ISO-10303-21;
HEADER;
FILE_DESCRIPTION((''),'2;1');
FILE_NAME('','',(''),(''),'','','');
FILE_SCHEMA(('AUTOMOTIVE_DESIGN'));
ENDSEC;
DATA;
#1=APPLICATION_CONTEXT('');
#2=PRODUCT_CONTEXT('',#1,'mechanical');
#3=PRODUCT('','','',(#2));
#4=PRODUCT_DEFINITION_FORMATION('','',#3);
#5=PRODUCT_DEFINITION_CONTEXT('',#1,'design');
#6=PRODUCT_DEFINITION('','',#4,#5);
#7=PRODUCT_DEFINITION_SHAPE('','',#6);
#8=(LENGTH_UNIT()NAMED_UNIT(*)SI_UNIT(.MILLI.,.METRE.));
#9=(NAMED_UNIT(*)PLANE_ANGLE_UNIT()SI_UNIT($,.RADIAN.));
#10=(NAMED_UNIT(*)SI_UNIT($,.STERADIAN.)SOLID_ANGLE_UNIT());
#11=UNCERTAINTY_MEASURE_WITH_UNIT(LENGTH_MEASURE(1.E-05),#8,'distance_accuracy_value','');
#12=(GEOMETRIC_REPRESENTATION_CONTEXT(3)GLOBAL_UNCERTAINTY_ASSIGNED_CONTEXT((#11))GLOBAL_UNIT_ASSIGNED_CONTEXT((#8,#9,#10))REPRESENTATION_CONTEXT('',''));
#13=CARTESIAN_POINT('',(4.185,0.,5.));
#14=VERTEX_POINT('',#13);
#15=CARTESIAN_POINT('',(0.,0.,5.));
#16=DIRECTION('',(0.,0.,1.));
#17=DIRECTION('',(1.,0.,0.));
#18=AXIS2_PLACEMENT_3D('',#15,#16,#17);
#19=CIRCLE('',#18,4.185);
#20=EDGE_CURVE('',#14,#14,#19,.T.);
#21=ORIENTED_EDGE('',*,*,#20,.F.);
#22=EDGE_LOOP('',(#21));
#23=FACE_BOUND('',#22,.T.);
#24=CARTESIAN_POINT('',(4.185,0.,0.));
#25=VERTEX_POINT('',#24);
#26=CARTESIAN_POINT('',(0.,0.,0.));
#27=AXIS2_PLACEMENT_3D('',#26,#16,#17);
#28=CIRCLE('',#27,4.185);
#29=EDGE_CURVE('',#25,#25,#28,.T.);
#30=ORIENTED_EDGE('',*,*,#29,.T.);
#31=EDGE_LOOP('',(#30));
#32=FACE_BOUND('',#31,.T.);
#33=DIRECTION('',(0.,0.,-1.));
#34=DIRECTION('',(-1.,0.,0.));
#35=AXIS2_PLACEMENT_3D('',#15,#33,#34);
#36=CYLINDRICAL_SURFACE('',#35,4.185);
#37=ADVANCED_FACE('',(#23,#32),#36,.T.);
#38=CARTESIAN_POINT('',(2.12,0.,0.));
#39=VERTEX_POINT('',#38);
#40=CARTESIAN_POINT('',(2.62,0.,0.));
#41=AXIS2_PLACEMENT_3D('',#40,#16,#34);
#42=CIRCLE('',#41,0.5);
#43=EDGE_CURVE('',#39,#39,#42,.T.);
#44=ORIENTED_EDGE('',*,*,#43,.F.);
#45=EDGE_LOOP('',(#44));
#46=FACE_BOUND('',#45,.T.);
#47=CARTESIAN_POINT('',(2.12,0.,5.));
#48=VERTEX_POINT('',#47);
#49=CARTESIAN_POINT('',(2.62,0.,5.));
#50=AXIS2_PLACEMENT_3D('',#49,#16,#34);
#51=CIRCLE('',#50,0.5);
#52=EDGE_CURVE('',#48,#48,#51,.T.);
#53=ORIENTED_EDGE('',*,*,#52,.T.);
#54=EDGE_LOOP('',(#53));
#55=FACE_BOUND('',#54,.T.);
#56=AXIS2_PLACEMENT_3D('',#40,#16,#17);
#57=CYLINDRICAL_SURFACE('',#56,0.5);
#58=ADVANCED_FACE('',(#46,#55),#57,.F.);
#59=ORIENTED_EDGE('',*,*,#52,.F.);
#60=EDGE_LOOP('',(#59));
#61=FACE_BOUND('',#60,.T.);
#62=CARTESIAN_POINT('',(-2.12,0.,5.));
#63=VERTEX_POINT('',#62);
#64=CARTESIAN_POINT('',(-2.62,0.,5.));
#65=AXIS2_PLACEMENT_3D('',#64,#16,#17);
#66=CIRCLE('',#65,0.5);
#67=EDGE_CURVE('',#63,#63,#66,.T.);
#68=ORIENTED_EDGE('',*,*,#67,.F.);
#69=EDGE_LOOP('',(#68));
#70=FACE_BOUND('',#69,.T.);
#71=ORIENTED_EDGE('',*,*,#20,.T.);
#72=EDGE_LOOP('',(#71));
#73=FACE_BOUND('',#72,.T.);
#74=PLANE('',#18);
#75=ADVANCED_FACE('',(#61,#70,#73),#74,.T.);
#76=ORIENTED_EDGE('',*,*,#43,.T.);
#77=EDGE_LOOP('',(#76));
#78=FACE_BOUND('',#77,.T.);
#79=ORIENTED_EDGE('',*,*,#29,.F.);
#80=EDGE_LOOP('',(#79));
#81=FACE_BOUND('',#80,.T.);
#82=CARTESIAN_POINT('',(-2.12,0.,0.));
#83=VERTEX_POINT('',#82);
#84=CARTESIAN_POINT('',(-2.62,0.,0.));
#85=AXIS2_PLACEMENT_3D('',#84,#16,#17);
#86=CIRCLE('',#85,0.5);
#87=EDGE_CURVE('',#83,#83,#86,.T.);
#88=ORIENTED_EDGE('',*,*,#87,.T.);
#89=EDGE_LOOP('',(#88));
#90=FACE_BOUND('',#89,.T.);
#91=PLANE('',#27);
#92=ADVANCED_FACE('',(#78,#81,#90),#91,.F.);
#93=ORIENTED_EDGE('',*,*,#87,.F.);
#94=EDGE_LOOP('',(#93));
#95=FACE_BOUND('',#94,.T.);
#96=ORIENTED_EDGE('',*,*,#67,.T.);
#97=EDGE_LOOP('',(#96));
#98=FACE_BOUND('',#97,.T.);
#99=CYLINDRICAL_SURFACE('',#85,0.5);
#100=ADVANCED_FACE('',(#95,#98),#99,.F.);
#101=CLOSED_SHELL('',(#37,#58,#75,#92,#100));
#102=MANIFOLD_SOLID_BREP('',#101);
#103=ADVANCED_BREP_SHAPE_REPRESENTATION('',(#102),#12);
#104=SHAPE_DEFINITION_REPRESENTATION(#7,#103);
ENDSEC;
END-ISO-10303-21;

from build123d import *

# Parameters (mm, degrees)
SKETCH1_R           = 4.185
BOSS_EXTRUDE1_DEPTH = 5
SKETCH2_R           = 0.5
CUT_EXTRUDE1_DEPTH  = 8.747802914


with BuildPart() as part:
    # Sketch1 → Boss-Extrude1 (new body)
    with BuildSketch(Plane.XY):
        Circle(SKETCH1_R)
    extrude(amount=BOSS_EXTRUDE1_DEPTH)

    # Sketch2 → Cut-Extrude1 (cut, through all)
    with BuildSketch(Plane.XY.offset(5)):
        with Locations((-2.62, 0)):
            Circle(SKETCH2_R)
        with Locations(Location((2.62, 0, 0), (0, 0, 180))):
            Circle(SKETCH2_R)
    extrude(amount=-CUT_EXTRUDE1_DEPTH, mode=Mode.SUBTRACT)


solid = part.part
